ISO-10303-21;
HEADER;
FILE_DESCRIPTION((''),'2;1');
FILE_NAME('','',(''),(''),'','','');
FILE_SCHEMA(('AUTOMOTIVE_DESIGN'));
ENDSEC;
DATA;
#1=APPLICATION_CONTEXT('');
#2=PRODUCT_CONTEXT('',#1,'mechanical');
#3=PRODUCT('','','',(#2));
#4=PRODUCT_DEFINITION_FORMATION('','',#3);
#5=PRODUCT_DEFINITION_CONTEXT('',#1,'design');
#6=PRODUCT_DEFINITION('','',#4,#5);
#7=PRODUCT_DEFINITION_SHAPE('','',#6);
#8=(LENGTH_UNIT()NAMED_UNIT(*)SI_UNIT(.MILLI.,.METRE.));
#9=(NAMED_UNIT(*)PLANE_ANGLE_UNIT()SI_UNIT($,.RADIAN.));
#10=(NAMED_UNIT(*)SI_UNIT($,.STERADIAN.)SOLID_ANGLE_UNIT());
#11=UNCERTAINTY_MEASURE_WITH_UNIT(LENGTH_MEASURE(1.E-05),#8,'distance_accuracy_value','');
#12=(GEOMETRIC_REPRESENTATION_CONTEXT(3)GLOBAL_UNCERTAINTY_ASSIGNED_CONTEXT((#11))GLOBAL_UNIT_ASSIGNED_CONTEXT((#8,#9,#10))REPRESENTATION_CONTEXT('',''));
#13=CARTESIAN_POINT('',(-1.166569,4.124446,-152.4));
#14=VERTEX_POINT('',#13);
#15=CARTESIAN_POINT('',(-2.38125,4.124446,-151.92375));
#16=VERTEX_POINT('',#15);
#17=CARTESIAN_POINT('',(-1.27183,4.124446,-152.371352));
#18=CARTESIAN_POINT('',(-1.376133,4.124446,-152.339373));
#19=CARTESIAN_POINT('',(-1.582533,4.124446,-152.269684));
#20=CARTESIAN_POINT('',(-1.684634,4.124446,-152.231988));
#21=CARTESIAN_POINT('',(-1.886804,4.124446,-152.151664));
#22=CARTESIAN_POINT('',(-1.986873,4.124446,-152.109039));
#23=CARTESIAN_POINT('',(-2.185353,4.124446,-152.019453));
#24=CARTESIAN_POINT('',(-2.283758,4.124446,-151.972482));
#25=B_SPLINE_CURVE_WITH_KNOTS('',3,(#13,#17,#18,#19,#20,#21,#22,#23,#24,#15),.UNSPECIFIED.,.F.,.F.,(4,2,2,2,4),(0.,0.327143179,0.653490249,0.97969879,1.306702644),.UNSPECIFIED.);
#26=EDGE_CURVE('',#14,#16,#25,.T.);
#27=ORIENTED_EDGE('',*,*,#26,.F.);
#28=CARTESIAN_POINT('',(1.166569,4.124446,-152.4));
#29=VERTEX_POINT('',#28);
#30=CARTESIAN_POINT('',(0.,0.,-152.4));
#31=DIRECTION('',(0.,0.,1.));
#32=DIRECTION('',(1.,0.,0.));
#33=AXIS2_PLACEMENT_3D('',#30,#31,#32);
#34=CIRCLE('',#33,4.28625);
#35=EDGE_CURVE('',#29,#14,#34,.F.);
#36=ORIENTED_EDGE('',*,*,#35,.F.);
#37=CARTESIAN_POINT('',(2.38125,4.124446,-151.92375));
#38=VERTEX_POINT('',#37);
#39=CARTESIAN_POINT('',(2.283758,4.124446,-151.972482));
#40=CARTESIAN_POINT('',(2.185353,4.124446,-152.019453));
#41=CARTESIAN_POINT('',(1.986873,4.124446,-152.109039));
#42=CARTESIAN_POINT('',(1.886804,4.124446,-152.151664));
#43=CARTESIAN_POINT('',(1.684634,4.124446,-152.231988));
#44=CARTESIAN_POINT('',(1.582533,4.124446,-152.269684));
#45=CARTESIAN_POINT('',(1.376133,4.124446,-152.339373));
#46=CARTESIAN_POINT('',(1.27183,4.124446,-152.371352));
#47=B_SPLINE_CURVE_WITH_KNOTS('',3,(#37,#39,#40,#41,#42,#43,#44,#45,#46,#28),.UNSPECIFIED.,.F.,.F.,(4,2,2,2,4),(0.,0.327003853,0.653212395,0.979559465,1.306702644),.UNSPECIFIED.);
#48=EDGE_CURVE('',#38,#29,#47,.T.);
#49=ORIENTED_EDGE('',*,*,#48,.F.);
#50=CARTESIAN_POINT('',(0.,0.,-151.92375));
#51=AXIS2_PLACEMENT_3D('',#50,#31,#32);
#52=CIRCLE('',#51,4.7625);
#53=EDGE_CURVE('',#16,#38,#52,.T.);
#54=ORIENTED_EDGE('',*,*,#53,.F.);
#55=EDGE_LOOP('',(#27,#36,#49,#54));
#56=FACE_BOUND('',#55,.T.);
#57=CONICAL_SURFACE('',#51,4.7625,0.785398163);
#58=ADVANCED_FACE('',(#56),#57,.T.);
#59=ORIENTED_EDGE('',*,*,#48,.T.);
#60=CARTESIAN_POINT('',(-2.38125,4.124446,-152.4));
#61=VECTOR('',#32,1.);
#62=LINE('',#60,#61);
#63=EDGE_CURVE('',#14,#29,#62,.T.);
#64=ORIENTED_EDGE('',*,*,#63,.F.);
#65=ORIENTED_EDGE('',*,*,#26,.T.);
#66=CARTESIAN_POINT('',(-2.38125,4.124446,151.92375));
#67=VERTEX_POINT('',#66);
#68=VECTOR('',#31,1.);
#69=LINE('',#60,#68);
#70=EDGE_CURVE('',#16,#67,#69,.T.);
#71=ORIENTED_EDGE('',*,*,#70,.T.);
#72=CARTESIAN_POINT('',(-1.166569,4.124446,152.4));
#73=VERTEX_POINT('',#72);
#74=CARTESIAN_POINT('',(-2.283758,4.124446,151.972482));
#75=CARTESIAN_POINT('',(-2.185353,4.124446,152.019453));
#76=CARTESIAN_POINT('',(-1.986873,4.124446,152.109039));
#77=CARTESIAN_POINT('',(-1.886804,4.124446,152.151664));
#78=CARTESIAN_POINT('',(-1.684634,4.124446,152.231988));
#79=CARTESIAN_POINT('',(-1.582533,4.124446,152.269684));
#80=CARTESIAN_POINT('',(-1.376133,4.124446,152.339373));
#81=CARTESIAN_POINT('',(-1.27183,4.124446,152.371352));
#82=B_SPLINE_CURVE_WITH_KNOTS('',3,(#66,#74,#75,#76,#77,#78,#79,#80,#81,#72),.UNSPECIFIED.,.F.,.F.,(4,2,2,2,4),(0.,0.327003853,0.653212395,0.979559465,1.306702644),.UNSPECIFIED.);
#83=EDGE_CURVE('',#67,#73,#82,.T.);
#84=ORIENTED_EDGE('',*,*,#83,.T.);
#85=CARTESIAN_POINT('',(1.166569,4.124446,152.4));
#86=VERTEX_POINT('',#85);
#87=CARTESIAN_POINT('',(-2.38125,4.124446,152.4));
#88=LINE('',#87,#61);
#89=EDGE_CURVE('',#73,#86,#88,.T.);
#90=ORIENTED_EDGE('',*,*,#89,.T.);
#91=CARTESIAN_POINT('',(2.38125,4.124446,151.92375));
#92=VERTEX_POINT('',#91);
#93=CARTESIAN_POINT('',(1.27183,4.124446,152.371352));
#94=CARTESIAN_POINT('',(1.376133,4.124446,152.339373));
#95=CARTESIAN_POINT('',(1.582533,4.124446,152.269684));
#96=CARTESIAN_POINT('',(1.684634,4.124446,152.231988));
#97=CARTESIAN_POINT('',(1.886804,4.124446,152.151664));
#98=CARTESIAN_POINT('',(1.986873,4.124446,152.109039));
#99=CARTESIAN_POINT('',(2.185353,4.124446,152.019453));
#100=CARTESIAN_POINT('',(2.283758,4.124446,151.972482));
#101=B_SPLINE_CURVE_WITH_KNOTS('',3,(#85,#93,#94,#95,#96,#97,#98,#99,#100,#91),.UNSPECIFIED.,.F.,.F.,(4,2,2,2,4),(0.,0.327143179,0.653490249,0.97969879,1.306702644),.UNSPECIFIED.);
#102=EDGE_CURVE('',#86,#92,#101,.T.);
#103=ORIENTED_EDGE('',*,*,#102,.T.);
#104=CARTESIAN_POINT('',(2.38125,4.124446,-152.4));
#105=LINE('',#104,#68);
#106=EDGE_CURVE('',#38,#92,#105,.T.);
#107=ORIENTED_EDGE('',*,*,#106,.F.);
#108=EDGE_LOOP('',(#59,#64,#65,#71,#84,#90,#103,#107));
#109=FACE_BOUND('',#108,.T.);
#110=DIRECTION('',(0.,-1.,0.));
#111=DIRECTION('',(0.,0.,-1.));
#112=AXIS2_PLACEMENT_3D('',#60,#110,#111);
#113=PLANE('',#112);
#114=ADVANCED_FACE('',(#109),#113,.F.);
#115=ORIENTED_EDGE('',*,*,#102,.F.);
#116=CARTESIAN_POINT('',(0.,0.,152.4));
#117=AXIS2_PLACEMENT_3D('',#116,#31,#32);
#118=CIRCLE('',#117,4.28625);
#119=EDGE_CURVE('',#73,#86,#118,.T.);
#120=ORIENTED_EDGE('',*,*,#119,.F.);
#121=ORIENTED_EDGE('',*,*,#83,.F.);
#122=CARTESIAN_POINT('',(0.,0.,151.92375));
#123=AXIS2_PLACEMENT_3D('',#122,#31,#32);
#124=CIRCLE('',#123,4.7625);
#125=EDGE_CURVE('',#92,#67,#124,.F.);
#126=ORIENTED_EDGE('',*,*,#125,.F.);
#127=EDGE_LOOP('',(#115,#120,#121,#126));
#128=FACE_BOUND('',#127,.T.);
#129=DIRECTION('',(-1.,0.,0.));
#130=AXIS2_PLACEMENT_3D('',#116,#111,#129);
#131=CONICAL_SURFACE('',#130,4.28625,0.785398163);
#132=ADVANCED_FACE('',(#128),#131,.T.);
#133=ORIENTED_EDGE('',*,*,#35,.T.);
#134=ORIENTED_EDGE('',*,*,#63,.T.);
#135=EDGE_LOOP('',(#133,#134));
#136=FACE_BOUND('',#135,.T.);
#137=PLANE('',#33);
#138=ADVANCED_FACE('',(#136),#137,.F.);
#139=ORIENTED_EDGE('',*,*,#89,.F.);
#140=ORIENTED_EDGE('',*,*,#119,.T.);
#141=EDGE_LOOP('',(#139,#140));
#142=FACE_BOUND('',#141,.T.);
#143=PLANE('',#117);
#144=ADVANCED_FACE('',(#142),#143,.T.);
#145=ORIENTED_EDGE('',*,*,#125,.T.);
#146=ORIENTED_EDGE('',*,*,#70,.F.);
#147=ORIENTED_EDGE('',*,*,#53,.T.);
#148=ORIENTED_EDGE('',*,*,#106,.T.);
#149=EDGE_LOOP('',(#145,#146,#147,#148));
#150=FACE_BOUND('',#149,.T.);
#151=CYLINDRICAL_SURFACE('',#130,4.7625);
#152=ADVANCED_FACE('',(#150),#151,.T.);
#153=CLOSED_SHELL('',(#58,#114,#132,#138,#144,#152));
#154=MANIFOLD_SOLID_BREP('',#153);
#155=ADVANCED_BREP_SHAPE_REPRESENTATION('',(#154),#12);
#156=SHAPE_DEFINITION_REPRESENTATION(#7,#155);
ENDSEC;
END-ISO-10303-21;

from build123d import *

# Parameters (mm, degrees)
SKETCH3_R                = 4.7625
BOSS_EXTRUDE2_DEPTH      = 152.4
BOSS_EXTRUDE2_DEPTH_BACK = 152.4
CUT_EXTRUDE5_DEPTH       = 153.4
CUT_EXTRUDE5_DEPTH_BACK  = 153.4
CHAMFER1_SIZE            = 0.47625


with BuildPart() as part:
    # Sketch3 → Boss-Extrude2 (new body, two sides)
    with BuildSketch(Plane.XY) as boss_extrude2_sk:
        Circle(SKETCH3_R)
    extrude(amount=BOSS_EXTRUDE2_DEPTH)
    extrude(boss_extrude2_sk.sketch, amount=-BOSS_EXTRUDE2_DEPTH_BACK)

    # Sketch10 → Cut-Extrude5 (cut, two sides)
    with BuildSketch(Plane.XY) as cut_extrude5_sk:
        with BuildLine():
            Line((-2.38125, 4.124445986), (2.38125, 4.124445986))
            ThreePointArc((2.38125, 4.124445986), (0, 4.7625), (-2.38125, 4.124445986))
        make_face()
    extrude(amount=CUT_EXTRUDE5_DEPTH, mode=Mode.SUBTRACT)
    extrude(cut_extrude5_sk.sketch, amount=-CUT_EXTRUDE5_DEPTH_BACK, mode=Mode.SUBTRACT)

    # Chamfer1
    chamfer1_edges = [part.edges().sort_by_distance(p)[0] for p in [
        (0, -4.7625, -152.4),
        (0, -4.7625, 152.4),
    ]]
    chamfer(chamfer1_edges, length=CHAMFER1_SIZE)


solid = part.part
